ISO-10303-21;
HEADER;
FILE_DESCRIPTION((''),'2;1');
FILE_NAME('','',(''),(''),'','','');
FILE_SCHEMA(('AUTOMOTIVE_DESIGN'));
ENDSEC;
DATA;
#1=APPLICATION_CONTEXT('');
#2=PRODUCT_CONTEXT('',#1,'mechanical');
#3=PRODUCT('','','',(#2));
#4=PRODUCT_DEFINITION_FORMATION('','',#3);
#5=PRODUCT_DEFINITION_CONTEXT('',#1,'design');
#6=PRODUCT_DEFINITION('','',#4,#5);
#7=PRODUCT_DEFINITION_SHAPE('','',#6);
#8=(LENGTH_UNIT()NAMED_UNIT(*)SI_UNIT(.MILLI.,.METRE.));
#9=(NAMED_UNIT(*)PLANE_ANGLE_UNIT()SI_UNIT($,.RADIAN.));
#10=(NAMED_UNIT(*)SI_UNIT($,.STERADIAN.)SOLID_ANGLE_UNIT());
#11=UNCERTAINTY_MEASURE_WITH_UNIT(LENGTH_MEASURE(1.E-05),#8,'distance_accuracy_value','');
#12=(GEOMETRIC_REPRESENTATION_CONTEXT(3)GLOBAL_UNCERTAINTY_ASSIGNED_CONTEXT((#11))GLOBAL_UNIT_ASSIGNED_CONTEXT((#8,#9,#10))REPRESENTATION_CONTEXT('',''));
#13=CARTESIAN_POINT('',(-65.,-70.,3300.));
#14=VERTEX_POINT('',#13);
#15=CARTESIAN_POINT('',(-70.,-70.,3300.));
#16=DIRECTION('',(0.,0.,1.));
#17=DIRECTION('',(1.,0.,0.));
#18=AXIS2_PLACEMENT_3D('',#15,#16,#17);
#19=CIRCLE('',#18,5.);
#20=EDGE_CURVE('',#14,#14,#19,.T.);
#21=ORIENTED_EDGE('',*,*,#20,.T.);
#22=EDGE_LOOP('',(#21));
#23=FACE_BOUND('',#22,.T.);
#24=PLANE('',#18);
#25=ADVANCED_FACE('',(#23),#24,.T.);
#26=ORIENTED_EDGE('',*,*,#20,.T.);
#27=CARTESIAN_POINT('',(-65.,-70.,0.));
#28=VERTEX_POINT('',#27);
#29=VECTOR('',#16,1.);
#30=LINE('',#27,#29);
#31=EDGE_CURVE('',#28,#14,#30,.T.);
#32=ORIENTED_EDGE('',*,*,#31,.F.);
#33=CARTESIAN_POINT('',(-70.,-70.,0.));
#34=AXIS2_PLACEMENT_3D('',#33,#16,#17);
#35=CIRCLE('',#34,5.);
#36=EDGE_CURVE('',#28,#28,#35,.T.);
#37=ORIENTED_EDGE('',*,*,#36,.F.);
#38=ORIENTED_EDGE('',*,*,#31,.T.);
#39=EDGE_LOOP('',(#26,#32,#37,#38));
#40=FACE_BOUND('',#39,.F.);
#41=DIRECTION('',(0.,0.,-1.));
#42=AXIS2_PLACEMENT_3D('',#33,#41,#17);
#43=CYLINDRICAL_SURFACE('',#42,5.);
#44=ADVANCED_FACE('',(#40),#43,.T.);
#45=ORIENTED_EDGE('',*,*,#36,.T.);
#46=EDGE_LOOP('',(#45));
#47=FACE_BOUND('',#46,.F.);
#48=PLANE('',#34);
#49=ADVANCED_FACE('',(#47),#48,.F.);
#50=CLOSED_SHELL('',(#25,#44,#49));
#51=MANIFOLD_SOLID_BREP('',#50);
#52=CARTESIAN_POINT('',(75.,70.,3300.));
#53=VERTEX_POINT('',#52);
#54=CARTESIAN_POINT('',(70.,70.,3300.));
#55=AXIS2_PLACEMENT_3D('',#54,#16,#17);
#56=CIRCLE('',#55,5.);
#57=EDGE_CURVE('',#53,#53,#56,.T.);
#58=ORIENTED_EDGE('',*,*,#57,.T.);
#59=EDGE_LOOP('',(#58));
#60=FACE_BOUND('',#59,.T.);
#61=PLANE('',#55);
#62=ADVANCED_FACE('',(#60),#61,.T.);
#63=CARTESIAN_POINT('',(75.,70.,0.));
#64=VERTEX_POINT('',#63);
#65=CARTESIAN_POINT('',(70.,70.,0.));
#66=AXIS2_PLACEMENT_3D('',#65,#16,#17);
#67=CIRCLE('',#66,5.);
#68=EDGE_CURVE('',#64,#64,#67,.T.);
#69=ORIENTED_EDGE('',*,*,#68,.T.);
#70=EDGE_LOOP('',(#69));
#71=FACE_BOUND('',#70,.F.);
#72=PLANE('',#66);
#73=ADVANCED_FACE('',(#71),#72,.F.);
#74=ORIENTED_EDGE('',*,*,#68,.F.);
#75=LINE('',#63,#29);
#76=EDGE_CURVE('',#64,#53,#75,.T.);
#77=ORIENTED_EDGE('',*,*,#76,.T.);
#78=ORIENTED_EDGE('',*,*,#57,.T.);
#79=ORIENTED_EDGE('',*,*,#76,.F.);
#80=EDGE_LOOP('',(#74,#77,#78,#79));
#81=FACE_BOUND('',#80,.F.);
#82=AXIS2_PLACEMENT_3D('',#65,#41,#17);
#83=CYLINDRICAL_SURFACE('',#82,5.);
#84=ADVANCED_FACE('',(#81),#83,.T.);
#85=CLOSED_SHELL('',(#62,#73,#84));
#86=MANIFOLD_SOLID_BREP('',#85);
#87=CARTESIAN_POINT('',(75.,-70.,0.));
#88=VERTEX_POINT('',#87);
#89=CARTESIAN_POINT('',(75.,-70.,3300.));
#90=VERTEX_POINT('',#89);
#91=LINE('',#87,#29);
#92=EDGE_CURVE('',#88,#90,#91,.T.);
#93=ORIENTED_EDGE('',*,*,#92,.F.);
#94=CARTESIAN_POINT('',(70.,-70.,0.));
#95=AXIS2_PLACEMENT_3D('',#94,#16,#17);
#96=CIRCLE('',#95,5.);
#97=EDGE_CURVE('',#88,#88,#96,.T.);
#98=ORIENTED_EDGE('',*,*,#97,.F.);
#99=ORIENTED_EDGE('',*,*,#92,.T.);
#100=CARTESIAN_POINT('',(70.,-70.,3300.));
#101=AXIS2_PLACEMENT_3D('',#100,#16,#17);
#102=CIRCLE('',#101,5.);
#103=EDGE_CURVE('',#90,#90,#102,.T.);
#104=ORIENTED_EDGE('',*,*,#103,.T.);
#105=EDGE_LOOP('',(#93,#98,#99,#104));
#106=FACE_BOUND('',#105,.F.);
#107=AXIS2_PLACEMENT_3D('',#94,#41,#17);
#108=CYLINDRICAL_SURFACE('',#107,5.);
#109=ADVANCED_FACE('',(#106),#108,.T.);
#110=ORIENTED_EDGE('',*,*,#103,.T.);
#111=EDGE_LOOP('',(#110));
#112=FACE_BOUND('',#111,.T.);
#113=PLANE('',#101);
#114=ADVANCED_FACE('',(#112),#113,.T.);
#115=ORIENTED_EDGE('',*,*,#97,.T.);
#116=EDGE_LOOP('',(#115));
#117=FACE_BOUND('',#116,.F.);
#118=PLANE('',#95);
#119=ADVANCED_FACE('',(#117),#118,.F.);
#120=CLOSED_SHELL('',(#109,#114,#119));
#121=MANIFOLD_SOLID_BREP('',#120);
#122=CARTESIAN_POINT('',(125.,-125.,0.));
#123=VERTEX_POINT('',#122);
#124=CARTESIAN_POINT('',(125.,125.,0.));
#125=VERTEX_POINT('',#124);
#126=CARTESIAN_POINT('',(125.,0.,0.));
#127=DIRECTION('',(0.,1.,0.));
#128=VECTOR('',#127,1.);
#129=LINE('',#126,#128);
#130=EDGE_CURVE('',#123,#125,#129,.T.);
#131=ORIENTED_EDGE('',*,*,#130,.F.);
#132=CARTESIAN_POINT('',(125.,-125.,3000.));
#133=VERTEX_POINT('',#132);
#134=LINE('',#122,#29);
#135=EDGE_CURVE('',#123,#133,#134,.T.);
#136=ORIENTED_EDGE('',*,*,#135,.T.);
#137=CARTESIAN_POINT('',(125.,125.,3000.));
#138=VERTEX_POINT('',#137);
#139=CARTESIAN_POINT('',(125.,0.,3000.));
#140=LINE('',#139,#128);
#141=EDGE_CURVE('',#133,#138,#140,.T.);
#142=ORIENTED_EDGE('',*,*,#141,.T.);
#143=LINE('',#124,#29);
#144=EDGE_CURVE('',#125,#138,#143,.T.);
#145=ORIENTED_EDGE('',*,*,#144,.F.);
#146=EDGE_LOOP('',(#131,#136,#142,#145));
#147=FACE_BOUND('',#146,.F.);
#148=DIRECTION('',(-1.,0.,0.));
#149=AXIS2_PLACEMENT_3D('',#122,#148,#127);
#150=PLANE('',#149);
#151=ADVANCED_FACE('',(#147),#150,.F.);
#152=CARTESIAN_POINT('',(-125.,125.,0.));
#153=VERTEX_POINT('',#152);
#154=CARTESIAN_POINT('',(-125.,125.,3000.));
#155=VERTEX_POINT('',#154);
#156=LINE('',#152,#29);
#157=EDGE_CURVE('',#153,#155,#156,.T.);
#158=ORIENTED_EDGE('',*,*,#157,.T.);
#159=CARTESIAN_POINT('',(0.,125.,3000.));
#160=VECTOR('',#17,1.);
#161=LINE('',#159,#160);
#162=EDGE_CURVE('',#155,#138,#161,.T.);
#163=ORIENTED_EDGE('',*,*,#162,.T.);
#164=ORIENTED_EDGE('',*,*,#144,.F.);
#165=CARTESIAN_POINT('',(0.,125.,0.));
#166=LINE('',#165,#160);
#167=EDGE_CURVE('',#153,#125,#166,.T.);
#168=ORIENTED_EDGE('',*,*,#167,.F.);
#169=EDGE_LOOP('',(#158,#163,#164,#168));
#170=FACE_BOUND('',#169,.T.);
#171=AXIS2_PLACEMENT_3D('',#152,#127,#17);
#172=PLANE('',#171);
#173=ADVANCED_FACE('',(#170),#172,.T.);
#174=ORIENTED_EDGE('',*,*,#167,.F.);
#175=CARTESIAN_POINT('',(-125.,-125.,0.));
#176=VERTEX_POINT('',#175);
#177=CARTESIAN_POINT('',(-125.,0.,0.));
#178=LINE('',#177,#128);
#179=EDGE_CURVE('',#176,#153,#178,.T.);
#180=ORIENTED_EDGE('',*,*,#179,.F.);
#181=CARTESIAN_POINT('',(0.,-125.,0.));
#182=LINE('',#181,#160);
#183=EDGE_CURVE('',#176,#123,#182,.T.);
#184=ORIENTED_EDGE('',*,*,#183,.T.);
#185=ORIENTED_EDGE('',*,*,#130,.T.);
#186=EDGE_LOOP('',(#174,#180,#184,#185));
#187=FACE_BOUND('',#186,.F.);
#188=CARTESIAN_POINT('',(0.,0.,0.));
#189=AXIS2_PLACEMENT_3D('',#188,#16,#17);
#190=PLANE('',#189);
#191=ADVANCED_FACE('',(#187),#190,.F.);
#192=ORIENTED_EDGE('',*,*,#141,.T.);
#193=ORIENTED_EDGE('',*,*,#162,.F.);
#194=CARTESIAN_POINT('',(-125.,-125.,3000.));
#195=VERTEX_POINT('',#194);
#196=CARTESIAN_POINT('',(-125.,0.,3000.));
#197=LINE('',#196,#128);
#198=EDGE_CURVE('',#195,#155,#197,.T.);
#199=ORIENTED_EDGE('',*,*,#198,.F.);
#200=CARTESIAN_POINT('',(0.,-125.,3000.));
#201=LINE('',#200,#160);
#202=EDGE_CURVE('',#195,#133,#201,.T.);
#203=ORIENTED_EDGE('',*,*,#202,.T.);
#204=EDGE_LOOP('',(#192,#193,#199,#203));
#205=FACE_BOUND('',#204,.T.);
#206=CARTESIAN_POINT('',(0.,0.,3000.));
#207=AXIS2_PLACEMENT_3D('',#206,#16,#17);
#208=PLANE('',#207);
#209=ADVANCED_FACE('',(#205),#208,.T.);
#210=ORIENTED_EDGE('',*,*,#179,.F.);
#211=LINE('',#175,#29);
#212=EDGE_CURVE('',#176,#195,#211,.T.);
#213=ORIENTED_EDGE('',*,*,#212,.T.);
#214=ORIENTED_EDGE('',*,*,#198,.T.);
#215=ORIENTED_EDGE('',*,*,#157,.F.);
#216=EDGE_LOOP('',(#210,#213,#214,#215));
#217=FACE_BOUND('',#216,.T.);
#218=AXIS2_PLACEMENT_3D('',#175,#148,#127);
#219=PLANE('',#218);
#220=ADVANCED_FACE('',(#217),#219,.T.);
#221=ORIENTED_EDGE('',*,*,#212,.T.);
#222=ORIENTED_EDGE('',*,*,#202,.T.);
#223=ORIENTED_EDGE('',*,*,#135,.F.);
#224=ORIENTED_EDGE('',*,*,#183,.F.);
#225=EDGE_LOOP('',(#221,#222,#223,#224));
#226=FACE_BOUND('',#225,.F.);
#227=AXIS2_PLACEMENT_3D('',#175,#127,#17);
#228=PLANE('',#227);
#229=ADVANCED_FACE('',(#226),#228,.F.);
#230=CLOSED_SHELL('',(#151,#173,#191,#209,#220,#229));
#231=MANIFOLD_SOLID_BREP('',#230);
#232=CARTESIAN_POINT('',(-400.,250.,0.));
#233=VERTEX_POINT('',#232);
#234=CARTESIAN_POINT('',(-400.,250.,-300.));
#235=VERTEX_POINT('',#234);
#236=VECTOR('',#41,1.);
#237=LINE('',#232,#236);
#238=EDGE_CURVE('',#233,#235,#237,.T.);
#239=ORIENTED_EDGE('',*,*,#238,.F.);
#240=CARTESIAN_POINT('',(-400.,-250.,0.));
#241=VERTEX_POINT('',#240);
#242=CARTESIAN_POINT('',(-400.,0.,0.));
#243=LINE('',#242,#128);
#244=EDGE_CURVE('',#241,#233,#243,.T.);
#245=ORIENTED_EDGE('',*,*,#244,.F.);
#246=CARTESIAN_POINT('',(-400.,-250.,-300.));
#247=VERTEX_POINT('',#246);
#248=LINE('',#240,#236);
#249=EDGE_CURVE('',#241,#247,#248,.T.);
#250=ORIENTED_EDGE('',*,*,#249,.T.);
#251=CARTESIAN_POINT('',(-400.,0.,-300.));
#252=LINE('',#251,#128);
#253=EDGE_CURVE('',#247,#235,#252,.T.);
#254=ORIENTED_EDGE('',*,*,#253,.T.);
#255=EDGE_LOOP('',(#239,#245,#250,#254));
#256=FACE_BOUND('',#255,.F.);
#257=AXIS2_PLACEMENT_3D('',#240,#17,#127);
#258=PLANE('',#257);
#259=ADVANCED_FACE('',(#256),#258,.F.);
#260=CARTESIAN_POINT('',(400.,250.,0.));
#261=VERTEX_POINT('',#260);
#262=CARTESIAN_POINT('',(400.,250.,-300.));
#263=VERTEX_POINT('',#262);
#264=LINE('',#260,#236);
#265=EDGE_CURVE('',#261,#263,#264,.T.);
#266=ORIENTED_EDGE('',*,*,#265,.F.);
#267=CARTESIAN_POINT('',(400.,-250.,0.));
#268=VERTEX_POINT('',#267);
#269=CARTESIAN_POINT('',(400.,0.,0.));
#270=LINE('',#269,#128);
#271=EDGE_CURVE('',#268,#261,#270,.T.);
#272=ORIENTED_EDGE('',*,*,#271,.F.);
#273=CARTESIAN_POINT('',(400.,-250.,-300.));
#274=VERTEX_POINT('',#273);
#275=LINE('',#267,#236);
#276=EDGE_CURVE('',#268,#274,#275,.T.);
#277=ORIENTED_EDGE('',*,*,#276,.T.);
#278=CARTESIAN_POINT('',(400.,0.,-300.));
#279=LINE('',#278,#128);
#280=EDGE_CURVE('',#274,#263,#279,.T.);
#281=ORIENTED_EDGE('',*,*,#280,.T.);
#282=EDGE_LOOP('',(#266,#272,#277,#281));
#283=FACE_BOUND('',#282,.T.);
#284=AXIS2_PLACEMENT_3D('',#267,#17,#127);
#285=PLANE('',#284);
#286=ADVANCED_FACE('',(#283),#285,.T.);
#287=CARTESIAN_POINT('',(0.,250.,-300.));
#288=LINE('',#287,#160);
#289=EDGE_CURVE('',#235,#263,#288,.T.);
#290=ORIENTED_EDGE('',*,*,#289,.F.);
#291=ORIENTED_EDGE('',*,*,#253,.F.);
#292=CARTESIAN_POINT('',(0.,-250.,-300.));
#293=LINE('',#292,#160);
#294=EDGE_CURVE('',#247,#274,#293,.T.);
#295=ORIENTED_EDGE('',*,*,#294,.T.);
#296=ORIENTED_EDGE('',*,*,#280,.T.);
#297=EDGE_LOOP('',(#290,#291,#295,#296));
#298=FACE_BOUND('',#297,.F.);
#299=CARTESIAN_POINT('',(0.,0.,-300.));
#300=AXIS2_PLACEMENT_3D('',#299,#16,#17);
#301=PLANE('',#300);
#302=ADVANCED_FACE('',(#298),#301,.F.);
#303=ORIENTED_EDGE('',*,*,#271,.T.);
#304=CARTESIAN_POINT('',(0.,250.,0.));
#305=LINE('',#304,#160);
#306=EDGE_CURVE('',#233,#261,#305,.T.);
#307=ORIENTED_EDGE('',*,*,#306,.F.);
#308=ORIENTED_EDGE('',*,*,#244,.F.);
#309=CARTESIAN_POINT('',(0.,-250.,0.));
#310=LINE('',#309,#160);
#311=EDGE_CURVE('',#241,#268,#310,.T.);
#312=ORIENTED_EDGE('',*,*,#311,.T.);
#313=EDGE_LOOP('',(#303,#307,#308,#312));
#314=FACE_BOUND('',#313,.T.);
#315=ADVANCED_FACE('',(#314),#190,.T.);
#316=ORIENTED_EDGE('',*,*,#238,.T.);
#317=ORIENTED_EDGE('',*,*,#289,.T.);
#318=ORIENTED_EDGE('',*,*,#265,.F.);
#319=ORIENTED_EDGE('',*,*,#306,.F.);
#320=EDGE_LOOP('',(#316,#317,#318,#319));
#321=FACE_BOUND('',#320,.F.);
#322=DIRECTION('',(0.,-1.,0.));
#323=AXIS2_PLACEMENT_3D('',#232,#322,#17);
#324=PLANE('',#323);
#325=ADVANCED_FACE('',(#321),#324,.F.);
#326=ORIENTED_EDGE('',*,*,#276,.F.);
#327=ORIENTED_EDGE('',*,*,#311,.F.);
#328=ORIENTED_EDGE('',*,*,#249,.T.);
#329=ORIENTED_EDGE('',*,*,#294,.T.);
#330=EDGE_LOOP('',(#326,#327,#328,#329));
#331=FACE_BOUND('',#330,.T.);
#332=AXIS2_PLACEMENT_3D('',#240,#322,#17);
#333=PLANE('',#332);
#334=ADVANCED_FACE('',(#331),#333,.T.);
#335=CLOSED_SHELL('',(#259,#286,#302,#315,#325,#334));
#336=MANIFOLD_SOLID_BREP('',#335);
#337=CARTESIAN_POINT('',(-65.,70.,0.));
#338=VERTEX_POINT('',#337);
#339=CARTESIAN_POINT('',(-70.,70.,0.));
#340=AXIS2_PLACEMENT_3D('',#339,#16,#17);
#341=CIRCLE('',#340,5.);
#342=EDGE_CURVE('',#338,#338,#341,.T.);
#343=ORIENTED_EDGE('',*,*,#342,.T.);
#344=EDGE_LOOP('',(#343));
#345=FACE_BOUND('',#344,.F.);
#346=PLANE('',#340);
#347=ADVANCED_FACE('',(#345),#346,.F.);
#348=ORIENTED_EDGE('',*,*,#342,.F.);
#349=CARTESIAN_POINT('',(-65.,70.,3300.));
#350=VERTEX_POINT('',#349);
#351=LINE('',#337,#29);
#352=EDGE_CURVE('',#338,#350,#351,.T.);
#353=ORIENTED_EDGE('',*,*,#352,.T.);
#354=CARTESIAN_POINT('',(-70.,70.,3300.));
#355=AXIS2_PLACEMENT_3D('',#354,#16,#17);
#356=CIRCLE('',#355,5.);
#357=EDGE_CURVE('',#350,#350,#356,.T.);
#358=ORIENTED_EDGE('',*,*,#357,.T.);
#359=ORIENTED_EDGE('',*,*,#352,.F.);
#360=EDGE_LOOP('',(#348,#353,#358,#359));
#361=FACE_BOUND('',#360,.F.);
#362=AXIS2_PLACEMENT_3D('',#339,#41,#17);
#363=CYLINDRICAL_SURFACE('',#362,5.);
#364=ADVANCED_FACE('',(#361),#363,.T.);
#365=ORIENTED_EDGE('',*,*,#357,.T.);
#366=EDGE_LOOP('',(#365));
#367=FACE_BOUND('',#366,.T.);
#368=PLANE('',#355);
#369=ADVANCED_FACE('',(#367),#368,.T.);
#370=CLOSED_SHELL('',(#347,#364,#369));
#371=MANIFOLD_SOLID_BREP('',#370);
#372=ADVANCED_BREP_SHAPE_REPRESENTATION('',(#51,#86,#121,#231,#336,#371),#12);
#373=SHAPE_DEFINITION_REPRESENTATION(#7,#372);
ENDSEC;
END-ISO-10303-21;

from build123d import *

# Parameters (mm, degrees)
F0_W     = 250
F0_H     = 250
F1_DEPTH = 3000
F2_R     = 5
F3_DEPTH = 3300
F4_W     = 800
F4_H     = 500
F5_DEPTH = 300


with BuildPart() as f1:
    # F0 (on Top) → F1 (new body)
    with BuildSketch(Plane.XY):
        Rectangle(F0_W, F0_H)
    extrude(amount=F1_DEPTH)


with BuildPart() as f3:
    # F2 (on Top) → F3 (new body)
    with BuildSketch(Plane.XY):
        with Locations((70, -70)):
            Circle(F2_R)
        with Locations((70, 70)):
            Circle(F2_R)
        with Locations((-70, 70)):
            Circle(F2_R)
        with Locations((-70, -70)):
            Circle(F2_R)
    extrude(amount=F3_DEPTH)


with BuildPart() as f5:
    # F4 (on Top) → F5 (new body)
    with BuildSketch(Plane.XY):
        Rectangle(F4_W, F4_H)
    extrude(amount=-F5_DEPTH)


solid = Compound([f1.part, f3.part, f5.part])
